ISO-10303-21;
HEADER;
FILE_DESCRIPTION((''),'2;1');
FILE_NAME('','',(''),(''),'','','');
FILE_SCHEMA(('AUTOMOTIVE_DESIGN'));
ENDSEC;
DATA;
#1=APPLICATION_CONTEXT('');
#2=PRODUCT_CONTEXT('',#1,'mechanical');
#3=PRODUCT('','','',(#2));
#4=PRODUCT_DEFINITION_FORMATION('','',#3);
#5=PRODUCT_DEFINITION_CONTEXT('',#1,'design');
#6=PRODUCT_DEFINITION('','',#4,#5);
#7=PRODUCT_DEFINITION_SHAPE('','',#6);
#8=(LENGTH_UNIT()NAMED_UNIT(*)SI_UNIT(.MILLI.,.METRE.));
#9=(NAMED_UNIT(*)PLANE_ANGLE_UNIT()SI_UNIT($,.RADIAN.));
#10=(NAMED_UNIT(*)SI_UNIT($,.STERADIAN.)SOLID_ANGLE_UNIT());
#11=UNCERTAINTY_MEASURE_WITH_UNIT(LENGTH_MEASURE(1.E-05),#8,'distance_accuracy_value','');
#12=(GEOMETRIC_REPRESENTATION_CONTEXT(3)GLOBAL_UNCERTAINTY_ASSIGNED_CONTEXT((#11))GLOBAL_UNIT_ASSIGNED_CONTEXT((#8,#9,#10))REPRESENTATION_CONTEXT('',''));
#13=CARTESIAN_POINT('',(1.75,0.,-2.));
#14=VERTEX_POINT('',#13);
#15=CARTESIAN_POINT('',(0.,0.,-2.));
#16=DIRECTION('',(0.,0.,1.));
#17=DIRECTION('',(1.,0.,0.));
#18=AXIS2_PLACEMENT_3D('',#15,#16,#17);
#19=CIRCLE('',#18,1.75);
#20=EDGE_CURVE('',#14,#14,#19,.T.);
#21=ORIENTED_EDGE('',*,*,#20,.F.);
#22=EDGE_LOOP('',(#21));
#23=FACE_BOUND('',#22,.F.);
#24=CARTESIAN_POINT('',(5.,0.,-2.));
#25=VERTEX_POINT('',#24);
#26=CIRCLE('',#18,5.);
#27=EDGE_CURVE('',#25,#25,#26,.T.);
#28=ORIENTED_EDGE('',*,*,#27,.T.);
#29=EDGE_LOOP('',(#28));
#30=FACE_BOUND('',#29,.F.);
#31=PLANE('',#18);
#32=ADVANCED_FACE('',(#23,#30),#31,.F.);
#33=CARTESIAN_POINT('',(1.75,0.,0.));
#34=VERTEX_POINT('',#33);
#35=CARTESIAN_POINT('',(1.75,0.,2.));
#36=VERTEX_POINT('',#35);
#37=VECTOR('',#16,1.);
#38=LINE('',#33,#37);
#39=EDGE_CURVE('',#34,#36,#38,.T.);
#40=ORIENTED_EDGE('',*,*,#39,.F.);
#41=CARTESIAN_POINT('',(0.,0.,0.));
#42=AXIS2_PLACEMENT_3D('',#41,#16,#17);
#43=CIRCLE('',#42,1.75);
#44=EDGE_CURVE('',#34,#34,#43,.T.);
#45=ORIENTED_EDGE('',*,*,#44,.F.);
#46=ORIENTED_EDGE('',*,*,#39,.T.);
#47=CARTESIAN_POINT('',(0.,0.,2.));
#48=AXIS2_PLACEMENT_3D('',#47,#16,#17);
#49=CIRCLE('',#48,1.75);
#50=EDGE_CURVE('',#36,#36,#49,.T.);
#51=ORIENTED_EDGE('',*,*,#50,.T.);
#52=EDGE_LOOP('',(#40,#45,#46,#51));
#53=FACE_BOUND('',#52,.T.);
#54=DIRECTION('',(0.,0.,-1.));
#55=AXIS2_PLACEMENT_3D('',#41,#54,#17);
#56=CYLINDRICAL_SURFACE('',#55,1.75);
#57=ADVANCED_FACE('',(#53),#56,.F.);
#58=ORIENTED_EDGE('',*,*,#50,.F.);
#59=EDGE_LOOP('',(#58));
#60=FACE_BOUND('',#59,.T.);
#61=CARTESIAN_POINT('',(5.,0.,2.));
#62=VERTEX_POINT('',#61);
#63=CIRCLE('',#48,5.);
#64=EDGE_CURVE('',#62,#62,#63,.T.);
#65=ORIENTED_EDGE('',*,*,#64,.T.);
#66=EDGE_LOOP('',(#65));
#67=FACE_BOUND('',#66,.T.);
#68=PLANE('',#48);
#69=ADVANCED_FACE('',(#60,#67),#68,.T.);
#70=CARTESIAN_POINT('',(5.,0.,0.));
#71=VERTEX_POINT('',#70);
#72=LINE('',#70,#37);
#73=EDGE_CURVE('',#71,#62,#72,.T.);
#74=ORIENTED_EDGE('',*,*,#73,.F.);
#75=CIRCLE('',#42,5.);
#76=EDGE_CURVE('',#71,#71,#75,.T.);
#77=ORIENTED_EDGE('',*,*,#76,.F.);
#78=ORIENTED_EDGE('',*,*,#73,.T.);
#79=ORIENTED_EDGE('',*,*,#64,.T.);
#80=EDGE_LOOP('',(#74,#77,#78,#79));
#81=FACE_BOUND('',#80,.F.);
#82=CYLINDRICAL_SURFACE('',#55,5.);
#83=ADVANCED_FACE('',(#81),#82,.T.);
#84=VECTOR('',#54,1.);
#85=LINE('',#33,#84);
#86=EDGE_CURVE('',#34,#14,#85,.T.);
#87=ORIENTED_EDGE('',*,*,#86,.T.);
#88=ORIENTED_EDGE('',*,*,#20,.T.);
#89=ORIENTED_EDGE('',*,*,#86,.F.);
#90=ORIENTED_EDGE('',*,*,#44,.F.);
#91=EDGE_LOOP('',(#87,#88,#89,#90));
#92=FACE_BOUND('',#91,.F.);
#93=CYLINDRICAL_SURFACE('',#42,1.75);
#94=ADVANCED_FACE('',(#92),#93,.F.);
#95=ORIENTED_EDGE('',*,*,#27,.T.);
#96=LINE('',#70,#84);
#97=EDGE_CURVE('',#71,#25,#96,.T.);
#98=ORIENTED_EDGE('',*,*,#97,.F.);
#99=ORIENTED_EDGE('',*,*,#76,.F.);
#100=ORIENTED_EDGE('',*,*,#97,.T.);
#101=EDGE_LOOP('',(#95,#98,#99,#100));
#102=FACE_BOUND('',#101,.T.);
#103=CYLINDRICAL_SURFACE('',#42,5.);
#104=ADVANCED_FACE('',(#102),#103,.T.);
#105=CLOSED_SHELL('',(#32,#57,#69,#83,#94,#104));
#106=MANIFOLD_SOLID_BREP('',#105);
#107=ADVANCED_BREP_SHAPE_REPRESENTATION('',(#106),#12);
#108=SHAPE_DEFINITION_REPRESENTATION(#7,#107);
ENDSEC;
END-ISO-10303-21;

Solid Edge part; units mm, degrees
sketch "Sketch1" plane through (0, 0, 0) normal (0, 0, 1) x (1, 0, 0)
  circle A0 centre (0, 0) radius 5
  circle A1 centre (0, 0) radius 1.75
  dimension "D1" = 3.5
extrude "Protrusion1" add sketch "Sketch1" along normal mid plane 4
